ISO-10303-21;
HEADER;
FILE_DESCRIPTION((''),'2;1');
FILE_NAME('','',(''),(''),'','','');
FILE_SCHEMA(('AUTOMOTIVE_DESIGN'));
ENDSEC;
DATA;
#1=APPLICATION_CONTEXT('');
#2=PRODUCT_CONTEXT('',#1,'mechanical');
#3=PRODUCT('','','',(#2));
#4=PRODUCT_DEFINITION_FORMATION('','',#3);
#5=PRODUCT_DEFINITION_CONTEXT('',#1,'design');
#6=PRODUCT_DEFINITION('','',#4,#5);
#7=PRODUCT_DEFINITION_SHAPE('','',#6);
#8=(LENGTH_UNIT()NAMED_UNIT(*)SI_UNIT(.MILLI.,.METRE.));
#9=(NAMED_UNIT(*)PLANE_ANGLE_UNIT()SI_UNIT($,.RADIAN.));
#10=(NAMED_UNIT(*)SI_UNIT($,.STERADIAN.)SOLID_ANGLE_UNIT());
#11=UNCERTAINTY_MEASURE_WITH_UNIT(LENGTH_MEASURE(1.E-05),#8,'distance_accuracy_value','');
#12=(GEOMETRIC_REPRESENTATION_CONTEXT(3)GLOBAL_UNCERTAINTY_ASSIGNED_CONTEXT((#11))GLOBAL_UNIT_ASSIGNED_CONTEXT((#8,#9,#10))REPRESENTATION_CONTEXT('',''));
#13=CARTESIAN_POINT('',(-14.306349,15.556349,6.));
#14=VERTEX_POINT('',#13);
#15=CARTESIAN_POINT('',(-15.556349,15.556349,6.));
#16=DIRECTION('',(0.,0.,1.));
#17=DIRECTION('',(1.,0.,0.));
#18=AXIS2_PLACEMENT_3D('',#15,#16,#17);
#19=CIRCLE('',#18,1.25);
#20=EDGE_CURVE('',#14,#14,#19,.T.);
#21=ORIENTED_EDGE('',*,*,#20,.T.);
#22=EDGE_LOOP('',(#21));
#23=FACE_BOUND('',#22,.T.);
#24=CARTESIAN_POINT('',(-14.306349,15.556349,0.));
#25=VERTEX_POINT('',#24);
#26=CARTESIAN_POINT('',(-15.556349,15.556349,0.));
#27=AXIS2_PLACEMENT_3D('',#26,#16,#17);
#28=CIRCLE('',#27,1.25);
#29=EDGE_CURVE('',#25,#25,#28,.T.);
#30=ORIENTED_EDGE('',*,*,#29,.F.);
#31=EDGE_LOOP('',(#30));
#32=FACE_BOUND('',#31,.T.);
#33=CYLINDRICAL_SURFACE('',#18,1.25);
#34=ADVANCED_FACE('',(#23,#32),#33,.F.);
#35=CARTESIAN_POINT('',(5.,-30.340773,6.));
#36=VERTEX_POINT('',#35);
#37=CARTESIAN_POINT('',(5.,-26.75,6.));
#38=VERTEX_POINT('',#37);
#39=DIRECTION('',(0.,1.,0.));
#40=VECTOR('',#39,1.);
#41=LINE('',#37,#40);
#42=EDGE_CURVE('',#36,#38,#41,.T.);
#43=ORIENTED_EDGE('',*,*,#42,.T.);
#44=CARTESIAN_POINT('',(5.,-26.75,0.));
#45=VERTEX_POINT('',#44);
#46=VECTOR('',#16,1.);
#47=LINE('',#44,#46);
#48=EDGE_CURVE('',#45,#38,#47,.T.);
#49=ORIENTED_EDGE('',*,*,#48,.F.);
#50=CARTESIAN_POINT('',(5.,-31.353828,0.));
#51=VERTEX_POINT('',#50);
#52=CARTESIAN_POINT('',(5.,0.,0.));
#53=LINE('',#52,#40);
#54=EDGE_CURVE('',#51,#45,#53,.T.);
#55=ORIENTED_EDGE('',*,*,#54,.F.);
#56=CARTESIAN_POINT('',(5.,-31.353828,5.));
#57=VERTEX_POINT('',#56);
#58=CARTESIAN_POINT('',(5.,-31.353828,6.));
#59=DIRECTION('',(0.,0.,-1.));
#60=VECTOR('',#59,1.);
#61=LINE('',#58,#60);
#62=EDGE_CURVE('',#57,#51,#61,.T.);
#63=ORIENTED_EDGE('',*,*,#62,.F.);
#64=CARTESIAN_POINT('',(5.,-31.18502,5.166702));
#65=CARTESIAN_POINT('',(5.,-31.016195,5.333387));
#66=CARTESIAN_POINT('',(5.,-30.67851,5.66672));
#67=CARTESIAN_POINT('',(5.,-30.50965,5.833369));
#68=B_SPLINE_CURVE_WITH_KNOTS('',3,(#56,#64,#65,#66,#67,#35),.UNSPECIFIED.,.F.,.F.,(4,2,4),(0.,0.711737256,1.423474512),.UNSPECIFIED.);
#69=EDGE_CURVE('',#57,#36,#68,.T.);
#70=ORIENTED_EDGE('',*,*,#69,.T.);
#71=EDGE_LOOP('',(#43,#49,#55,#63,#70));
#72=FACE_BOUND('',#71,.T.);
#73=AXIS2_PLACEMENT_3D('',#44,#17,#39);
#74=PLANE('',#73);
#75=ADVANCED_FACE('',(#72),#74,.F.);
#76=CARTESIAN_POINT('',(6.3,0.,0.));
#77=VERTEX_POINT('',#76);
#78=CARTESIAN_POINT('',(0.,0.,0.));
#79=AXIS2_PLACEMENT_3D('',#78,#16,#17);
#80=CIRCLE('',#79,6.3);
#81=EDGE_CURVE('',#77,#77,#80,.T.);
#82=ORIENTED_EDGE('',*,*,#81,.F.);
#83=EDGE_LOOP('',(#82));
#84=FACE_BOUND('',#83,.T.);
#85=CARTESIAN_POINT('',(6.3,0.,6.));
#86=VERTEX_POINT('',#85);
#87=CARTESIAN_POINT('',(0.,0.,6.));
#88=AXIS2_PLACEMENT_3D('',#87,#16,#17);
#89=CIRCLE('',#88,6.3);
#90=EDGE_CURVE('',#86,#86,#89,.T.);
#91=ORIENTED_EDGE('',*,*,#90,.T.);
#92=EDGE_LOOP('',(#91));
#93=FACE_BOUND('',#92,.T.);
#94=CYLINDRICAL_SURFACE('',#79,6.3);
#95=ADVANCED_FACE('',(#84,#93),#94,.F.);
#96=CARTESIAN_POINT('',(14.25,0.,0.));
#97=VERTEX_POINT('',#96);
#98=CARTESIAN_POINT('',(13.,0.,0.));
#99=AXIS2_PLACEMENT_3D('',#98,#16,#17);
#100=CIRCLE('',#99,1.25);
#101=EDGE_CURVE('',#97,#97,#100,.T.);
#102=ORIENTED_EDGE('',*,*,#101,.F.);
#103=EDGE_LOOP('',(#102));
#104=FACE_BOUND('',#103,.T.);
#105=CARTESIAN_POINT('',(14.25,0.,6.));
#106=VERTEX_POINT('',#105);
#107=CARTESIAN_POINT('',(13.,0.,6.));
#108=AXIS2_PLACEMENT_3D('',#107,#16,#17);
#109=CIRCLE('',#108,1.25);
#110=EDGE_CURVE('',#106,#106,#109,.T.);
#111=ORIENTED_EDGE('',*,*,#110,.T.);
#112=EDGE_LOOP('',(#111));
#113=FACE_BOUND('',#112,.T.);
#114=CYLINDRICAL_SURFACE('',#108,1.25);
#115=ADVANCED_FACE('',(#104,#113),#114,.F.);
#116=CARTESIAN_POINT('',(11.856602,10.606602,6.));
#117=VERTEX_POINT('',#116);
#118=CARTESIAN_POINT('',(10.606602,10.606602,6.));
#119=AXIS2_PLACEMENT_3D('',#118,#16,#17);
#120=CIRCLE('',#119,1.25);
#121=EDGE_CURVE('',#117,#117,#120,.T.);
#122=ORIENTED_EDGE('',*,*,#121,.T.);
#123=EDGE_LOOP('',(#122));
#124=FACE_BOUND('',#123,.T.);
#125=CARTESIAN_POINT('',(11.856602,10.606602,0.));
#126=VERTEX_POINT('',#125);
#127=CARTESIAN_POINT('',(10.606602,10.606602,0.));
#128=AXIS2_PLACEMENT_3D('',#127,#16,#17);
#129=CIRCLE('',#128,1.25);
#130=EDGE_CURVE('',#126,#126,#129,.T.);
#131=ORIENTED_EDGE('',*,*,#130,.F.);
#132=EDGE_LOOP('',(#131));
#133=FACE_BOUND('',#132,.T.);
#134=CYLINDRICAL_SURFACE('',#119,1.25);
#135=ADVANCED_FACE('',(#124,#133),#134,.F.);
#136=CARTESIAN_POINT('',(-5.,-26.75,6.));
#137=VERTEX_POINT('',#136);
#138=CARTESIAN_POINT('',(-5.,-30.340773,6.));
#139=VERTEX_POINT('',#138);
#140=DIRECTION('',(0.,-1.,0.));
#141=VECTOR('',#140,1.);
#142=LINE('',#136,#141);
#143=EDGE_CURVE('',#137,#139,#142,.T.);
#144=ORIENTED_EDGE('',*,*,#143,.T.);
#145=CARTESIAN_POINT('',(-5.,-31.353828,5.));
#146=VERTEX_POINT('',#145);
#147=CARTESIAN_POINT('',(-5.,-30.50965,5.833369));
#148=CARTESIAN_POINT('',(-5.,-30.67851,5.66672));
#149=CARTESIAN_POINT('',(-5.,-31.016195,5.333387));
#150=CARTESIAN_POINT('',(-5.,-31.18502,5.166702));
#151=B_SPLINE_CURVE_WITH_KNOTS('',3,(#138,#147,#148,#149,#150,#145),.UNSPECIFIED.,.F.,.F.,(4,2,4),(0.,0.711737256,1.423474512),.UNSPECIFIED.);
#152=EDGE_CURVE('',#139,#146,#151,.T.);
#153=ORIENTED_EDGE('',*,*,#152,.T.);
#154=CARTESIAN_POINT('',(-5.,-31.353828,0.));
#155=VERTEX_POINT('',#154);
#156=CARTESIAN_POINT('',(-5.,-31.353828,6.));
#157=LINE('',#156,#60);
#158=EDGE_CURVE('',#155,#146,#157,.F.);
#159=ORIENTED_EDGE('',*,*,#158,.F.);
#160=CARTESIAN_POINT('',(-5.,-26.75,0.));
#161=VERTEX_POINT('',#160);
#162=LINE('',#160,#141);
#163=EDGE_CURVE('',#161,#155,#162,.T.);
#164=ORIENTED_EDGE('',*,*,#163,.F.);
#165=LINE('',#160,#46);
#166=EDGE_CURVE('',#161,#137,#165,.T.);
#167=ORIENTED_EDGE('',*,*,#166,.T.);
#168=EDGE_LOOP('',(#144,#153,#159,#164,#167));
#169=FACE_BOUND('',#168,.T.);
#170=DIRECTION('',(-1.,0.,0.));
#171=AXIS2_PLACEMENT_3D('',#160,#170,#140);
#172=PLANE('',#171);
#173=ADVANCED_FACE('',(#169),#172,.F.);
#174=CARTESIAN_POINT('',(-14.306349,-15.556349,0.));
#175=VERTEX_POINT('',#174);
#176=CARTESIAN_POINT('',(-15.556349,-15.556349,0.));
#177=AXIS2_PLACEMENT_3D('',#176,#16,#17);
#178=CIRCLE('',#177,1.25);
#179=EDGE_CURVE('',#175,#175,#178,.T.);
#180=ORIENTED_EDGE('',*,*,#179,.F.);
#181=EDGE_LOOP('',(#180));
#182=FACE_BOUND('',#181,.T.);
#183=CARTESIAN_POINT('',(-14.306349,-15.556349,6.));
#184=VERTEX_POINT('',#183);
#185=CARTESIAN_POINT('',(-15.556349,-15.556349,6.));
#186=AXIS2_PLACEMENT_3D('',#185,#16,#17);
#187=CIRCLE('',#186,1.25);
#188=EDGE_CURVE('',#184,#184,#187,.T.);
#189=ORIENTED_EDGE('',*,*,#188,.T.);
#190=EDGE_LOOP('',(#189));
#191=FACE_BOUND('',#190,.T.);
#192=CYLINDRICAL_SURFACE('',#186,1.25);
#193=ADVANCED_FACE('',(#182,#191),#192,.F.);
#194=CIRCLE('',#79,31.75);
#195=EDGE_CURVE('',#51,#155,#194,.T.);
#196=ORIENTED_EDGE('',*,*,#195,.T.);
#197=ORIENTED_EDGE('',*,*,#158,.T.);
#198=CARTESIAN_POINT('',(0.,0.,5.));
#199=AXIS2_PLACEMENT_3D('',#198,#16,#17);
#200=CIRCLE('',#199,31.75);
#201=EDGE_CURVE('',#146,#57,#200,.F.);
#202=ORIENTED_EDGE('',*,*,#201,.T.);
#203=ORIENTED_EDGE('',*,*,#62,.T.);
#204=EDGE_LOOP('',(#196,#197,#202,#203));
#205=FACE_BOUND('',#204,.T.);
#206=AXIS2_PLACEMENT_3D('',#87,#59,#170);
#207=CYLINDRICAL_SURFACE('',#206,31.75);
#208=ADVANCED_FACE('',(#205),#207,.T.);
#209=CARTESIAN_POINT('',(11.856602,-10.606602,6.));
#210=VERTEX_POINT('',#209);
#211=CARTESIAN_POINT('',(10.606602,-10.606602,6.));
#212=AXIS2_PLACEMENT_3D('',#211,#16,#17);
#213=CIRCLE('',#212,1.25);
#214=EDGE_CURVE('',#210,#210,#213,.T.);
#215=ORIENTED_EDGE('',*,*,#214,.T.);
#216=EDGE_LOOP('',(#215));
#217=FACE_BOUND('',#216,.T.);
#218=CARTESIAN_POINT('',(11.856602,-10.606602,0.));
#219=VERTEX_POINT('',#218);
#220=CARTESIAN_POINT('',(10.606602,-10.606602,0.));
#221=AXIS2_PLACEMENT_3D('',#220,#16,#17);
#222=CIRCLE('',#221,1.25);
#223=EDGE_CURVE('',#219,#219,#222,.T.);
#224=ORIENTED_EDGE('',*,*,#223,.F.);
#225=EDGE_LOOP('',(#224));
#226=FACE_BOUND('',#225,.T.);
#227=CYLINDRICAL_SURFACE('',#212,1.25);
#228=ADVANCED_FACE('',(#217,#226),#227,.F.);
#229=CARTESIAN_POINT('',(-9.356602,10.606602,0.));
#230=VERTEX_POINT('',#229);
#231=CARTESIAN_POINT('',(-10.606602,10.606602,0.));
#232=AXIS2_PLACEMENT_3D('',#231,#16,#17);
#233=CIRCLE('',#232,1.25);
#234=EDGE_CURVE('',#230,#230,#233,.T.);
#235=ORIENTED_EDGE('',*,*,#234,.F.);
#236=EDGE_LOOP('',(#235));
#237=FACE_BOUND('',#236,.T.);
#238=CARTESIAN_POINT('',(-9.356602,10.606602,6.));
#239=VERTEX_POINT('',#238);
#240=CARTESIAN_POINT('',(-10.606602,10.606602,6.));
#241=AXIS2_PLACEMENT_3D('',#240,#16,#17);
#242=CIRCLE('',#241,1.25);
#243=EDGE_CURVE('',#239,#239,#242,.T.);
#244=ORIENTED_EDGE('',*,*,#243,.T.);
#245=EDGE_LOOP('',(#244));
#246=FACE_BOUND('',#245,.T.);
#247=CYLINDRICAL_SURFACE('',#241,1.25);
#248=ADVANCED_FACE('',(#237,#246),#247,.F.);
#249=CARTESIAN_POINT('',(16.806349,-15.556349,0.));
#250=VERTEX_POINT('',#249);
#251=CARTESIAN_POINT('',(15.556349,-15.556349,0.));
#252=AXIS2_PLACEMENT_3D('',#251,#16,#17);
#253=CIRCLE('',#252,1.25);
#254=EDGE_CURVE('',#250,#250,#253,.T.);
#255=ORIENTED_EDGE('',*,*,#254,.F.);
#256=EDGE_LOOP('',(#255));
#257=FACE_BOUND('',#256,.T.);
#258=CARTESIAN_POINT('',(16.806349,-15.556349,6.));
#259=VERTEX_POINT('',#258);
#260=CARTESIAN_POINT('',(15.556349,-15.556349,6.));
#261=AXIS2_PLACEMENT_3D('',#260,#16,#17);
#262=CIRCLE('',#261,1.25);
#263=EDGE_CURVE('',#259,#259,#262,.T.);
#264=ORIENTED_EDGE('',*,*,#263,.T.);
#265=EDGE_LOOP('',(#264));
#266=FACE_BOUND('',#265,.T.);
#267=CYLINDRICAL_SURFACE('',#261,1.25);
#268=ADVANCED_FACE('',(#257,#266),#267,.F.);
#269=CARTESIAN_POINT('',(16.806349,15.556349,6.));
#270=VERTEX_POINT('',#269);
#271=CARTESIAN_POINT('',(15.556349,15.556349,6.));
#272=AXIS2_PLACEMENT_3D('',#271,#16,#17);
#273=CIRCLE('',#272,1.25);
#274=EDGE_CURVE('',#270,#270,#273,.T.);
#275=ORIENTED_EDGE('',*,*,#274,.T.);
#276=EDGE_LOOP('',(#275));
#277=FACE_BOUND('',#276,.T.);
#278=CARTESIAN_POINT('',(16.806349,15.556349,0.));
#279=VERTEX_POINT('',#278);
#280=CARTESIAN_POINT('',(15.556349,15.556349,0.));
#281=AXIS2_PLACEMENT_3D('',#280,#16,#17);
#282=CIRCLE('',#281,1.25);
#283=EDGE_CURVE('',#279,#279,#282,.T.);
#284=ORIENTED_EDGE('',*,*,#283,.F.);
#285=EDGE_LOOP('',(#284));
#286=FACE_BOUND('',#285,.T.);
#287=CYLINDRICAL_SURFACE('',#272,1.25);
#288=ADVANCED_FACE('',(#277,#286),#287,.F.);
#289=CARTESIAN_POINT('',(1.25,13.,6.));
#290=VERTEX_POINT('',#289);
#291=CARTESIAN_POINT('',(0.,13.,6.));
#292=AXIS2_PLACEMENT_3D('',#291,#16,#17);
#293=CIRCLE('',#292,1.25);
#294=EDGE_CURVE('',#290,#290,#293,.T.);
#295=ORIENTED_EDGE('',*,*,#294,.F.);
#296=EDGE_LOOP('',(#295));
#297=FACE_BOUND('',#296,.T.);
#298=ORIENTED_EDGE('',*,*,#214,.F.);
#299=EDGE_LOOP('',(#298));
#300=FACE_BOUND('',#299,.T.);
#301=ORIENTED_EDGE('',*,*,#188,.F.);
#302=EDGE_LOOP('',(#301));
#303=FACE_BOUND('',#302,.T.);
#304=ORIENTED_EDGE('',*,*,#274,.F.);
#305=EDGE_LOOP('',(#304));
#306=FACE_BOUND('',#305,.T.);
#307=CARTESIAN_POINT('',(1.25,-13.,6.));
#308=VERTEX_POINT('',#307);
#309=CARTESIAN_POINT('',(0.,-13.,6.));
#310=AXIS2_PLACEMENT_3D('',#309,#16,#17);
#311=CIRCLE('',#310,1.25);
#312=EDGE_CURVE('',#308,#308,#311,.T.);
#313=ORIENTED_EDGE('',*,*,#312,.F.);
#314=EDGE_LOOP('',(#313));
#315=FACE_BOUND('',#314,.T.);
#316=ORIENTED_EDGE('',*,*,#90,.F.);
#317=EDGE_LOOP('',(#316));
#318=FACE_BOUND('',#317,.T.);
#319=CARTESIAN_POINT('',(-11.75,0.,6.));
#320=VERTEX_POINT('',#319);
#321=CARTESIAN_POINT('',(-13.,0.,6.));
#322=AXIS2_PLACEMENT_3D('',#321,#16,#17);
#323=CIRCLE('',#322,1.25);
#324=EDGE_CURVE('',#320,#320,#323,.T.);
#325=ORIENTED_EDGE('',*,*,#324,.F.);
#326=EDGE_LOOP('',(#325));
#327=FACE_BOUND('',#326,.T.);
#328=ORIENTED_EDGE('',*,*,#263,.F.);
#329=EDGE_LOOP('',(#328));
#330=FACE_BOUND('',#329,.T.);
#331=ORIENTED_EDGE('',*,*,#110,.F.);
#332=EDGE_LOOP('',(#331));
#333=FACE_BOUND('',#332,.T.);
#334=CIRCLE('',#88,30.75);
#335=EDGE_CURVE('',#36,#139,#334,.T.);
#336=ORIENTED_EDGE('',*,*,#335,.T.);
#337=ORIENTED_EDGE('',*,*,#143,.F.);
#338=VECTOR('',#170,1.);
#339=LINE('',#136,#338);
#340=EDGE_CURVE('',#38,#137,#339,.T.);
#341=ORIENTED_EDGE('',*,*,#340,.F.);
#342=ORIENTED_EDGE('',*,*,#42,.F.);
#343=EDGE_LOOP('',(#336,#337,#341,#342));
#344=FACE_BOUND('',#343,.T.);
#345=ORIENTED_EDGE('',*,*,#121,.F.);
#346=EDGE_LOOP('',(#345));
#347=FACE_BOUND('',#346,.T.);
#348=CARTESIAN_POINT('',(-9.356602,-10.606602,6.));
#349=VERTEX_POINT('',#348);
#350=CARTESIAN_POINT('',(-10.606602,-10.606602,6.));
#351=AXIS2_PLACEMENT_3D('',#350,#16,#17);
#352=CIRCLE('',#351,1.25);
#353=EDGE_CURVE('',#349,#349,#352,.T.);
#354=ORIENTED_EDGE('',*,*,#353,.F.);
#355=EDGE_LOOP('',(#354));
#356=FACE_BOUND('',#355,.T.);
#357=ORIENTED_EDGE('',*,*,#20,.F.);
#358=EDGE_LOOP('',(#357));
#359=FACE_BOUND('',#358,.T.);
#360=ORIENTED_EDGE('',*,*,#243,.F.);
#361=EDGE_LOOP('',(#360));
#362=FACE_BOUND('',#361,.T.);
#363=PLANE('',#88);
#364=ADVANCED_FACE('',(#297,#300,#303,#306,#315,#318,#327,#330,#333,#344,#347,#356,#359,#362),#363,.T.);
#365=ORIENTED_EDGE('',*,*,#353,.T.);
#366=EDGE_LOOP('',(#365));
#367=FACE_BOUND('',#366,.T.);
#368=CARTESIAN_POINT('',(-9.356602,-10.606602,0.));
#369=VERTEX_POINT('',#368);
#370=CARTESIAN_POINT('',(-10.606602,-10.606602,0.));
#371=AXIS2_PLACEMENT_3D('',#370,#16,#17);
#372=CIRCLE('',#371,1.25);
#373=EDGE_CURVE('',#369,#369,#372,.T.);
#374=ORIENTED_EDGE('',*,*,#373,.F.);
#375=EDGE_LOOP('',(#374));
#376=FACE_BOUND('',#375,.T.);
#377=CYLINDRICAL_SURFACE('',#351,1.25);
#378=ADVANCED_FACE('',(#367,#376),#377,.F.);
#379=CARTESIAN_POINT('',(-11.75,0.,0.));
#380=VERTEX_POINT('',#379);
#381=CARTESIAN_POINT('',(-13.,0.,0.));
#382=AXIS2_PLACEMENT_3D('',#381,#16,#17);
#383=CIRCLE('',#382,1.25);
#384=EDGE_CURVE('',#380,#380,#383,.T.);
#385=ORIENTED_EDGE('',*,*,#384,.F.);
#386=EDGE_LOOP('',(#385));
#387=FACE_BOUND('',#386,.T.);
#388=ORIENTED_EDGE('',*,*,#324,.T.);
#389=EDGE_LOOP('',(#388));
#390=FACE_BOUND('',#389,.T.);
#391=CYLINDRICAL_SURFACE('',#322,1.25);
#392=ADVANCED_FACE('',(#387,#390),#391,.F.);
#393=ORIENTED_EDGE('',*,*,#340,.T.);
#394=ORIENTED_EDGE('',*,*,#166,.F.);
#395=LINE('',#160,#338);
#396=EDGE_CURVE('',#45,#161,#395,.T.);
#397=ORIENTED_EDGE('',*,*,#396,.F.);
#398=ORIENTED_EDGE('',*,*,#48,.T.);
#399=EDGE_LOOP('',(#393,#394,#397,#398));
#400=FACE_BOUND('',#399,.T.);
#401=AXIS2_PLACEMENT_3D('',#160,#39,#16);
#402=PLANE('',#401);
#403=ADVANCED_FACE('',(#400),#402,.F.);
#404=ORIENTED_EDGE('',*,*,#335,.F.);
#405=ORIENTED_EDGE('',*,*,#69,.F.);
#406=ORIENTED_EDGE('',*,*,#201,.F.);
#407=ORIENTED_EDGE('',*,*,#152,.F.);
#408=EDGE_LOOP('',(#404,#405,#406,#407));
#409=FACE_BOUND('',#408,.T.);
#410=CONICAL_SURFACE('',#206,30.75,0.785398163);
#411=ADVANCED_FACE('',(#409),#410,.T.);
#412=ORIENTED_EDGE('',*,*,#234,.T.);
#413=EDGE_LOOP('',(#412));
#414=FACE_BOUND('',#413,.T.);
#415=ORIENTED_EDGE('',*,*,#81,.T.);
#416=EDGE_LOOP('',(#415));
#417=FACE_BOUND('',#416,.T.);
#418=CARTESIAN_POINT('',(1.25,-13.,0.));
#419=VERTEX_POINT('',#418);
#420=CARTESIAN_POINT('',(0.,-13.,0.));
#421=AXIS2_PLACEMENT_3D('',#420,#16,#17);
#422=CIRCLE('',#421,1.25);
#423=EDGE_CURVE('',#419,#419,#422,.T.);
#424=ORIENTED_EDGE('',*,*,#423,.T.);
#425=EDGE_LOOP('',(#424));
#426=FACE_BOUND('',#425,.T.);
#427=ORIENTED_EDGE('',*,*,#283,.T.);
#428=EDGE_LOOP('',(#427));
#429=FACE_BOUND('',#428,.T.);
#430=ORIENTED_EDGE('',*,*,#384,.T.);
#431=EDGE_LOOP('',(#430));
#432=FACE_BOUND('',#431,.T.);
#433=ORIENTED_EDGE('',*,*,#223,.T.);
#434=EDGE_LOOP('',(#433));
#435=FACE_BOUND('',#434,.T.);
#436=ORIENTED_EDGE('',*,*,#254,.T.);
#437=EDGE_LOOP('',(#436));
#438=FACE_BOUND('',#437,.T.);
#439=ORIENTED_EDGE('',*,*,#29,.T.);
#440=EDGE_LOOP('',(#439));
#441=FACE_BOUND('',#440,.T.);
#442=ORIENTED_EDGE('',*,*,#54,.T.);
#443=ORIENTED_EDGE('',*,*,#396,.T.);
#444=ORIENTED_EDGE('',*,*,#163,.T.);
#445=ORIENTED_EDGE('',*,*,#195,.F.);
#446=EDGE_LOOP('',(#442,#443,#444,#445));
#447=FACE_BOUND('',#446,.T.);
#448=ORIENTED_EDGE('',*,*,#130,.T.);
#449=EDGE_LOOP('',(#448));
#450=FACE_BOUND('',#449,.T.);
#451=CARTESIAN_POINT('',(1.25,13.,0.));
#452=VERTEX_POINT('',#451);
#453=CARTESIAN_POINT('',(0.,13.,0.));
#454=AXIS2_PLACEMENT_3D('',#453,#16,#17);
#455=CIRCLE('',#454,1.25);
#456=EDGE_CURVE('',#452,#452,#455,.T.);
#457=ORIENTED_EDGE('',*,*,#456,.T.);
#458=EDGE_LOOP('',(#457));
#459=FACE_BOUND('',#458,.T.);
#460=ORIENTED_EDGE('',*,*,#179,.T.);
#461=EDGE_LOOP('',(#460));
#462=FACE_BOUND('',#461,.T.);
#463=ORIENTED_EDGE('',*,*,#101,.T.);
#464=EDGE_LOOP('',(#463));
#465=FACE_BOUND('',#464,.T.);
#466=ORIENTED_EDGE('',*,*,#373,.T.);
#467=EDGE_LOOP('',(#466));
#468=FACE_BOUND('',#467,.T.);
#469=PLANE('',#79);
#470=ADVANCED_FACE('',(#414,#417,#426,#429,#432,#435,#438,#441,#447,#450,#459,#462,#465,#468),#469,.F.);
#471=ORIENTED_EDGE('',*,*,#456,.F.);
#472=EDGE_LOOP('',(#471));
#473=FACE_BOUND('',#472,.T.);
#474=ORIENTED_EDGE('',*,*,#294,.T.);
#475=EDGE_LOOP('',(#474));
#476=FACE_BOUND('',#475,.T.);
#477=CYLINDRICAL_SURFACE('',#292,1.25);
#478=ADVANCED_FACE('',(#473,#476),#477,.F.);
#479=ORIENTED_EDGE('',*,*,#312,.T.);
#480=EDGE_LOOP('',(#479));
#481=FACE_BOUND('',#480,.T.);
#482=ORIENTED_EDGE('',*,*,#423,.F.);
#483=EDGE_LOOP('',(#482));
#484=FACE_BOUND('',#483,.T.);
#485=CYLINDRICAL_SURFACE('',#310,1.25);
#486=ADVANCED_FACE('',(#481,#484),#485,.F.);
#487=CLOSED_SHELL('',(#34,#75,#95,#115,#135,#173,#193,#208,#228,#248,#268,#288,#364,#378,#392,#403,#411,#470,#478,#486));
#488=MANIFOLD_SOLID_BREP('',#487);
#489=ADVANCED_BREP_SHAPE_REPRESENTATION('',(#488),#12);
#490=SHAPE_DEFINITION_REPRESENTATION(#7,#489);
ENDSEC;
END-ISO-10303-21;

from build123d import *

# Parameters (mm, degrees)
SKETCH_1_R          = 31.75
EXTRUDE_1_DEPTH     = 6
SKETCH_2_W          = 10
SKETCH_2_H          = 10
CUT_EXTRUDE_1_DEPTH = 7
M3X0_52_D           = 2.5
M3X0_51_D           = 2.5
SKETCH_8_R          = 6.3
CUT_EXTRUDE_2_DEPTH = 7
CHAMFER_1_SIZE      = 1


with BuildPart() as part:
    # Эскиз1 → Бобышка-Вытянуть1 (new body)
    with BuildSketch(Plane.XY):
        Circle(SKETCH_1_R)
    extrude(amount=EXTRUDE_1_DEPTH)

    # Эскиз2 → Вырез-Вытянуть1 (cut, through all)
    with BuildSketch(Plane.XY.offset(6)):
        with Locations((0, -31.75)):
            Rectangle(SKETCH_2_W, SKETCH_2_H)
    extrude(amount=-CUT_EXTRUDE_1_DEPTH, mode=Mode.SUBTRACT)

    # Отверстие обработанное метчиком M3x0.52 (through all)
    with Locations(Plane.XY.offset(6)):
        with Locations((0, 13), (13, 0), (-13, 0), (0, -13)):
            Hole(M3X0_52_D / 2)

    # Отверстие обработанное метчиком M3x0.51 (through all)
    with Locations(Plane.XY.offset(6)):
        with Locations((-15.556349186, 15.556349186), (-15.556349186, -15.556349186), (15.556349186, -15.556349186), (15.556349186, 15.556349186), (10.606601718, 10.606601718), (-10.606601718, 10.606601718), (-10.606601718, -10.606601718), (10.606601718, -10.606601718)):
            Hole(M3X0_51_D / 2)

    # Эскиз8 → Вырез-Вытянуть2 (cut, through all)
    with BuildSketch(Plane.XY.offset(6)):
        Circle(SKETCH_8_R)
    extrude(amount=-CUT_EXTRUDE_2_DEPTH, mode=Mode.SUBTRACT)

    # Фаска1
    chamfer_1_edges = [part.edges().sort_by_distance(p)[0] for p in [
        (0, 31.75, 6),
    ]]
    chamfer(chamfer_1_edges, length=CHAMFER_1_SIZE)


solid = part.part
